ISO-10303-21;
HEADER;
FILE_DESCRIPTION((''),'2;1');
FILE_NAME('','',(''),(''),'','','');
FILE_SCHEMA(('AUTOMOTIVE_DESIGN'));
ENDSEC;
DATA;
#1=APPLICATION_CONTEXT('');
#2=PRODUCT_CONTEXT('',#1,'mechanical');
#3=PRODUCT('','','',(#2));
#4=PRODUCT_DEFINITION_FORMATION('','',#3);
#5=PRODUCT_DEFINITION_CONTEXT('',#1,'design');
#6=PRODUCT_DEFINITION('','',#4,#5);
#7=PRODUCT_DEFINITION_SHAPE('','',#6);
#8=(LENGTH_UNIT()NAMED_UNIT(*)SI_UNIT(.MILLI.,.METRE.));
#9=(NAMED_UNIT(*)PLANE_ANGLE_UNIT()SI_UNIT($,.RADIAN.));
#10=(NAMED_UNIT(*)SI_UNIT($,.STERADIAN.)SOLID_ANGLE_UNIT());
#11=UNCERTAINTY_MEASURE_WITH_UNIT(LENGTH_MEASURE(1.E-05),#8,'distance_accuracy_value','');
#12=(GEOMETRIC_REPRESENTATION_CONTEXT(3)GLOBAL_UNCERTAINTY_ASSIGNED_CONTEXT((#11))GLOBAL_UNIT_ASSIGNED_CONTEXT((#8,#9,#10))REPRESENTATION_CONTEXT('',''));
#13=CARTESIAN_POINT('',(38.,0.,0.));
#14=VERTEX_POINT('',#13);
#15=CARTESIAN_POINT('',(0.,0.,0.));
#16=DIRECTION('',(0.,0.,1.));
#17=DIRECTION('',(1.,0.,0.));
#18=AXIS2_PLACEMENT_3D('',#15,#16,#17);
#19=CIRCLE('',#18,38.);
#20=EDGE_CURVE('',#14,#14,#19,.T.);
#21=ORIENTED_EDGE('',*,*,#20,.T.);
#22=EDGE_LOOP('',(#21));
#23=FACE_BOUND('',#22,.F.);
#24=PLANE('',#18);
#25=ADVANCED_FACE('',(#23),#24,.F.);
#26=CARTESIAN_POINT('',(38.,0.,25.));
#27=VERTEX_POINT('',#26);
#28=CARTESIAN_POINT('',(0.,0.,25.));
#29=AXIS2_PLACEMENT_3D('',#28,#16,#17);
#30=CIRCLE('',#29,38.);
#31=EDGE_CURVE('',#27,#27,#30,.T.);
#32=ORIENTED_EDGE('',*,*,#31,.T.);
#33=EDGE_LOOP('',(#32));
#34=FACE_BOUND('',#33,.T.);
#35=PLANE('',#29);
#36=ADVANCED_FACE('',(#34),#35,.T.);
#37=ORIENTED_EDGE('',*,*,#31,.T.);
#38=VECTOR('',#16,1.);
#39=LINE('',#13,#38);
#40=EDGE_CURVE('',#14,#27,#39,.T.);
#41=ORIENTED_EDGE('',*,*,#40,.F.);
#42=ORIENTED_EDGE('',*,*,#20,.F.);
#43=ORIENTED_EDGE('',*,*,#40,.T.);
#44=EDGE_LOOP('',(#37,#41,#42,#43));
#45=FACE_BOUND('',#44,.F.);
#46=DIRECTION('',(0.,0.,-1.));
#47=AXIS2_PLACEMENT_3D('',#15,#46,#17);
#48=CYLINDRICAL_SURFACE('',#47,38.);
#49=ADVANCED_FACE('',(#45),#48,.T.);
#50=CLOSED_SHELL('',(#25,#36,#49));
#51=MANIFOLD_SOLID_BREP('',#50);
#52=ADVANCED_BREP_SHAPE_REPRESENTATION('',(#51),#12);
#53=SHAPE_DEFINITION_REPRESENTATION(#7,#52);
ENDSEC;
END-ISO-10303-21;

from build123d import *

# Parameters (mm, degrees)
SKETCH_R  = 38
PAD_DEPTH = 25


with BuildPart() as part:
    # Sketch → Pad (new body)
    with BuildSketch(Plane.XY):
        Circle(SKETCH_R)
    extrude(amount=PAD_DEPTH)


solid = part.part
